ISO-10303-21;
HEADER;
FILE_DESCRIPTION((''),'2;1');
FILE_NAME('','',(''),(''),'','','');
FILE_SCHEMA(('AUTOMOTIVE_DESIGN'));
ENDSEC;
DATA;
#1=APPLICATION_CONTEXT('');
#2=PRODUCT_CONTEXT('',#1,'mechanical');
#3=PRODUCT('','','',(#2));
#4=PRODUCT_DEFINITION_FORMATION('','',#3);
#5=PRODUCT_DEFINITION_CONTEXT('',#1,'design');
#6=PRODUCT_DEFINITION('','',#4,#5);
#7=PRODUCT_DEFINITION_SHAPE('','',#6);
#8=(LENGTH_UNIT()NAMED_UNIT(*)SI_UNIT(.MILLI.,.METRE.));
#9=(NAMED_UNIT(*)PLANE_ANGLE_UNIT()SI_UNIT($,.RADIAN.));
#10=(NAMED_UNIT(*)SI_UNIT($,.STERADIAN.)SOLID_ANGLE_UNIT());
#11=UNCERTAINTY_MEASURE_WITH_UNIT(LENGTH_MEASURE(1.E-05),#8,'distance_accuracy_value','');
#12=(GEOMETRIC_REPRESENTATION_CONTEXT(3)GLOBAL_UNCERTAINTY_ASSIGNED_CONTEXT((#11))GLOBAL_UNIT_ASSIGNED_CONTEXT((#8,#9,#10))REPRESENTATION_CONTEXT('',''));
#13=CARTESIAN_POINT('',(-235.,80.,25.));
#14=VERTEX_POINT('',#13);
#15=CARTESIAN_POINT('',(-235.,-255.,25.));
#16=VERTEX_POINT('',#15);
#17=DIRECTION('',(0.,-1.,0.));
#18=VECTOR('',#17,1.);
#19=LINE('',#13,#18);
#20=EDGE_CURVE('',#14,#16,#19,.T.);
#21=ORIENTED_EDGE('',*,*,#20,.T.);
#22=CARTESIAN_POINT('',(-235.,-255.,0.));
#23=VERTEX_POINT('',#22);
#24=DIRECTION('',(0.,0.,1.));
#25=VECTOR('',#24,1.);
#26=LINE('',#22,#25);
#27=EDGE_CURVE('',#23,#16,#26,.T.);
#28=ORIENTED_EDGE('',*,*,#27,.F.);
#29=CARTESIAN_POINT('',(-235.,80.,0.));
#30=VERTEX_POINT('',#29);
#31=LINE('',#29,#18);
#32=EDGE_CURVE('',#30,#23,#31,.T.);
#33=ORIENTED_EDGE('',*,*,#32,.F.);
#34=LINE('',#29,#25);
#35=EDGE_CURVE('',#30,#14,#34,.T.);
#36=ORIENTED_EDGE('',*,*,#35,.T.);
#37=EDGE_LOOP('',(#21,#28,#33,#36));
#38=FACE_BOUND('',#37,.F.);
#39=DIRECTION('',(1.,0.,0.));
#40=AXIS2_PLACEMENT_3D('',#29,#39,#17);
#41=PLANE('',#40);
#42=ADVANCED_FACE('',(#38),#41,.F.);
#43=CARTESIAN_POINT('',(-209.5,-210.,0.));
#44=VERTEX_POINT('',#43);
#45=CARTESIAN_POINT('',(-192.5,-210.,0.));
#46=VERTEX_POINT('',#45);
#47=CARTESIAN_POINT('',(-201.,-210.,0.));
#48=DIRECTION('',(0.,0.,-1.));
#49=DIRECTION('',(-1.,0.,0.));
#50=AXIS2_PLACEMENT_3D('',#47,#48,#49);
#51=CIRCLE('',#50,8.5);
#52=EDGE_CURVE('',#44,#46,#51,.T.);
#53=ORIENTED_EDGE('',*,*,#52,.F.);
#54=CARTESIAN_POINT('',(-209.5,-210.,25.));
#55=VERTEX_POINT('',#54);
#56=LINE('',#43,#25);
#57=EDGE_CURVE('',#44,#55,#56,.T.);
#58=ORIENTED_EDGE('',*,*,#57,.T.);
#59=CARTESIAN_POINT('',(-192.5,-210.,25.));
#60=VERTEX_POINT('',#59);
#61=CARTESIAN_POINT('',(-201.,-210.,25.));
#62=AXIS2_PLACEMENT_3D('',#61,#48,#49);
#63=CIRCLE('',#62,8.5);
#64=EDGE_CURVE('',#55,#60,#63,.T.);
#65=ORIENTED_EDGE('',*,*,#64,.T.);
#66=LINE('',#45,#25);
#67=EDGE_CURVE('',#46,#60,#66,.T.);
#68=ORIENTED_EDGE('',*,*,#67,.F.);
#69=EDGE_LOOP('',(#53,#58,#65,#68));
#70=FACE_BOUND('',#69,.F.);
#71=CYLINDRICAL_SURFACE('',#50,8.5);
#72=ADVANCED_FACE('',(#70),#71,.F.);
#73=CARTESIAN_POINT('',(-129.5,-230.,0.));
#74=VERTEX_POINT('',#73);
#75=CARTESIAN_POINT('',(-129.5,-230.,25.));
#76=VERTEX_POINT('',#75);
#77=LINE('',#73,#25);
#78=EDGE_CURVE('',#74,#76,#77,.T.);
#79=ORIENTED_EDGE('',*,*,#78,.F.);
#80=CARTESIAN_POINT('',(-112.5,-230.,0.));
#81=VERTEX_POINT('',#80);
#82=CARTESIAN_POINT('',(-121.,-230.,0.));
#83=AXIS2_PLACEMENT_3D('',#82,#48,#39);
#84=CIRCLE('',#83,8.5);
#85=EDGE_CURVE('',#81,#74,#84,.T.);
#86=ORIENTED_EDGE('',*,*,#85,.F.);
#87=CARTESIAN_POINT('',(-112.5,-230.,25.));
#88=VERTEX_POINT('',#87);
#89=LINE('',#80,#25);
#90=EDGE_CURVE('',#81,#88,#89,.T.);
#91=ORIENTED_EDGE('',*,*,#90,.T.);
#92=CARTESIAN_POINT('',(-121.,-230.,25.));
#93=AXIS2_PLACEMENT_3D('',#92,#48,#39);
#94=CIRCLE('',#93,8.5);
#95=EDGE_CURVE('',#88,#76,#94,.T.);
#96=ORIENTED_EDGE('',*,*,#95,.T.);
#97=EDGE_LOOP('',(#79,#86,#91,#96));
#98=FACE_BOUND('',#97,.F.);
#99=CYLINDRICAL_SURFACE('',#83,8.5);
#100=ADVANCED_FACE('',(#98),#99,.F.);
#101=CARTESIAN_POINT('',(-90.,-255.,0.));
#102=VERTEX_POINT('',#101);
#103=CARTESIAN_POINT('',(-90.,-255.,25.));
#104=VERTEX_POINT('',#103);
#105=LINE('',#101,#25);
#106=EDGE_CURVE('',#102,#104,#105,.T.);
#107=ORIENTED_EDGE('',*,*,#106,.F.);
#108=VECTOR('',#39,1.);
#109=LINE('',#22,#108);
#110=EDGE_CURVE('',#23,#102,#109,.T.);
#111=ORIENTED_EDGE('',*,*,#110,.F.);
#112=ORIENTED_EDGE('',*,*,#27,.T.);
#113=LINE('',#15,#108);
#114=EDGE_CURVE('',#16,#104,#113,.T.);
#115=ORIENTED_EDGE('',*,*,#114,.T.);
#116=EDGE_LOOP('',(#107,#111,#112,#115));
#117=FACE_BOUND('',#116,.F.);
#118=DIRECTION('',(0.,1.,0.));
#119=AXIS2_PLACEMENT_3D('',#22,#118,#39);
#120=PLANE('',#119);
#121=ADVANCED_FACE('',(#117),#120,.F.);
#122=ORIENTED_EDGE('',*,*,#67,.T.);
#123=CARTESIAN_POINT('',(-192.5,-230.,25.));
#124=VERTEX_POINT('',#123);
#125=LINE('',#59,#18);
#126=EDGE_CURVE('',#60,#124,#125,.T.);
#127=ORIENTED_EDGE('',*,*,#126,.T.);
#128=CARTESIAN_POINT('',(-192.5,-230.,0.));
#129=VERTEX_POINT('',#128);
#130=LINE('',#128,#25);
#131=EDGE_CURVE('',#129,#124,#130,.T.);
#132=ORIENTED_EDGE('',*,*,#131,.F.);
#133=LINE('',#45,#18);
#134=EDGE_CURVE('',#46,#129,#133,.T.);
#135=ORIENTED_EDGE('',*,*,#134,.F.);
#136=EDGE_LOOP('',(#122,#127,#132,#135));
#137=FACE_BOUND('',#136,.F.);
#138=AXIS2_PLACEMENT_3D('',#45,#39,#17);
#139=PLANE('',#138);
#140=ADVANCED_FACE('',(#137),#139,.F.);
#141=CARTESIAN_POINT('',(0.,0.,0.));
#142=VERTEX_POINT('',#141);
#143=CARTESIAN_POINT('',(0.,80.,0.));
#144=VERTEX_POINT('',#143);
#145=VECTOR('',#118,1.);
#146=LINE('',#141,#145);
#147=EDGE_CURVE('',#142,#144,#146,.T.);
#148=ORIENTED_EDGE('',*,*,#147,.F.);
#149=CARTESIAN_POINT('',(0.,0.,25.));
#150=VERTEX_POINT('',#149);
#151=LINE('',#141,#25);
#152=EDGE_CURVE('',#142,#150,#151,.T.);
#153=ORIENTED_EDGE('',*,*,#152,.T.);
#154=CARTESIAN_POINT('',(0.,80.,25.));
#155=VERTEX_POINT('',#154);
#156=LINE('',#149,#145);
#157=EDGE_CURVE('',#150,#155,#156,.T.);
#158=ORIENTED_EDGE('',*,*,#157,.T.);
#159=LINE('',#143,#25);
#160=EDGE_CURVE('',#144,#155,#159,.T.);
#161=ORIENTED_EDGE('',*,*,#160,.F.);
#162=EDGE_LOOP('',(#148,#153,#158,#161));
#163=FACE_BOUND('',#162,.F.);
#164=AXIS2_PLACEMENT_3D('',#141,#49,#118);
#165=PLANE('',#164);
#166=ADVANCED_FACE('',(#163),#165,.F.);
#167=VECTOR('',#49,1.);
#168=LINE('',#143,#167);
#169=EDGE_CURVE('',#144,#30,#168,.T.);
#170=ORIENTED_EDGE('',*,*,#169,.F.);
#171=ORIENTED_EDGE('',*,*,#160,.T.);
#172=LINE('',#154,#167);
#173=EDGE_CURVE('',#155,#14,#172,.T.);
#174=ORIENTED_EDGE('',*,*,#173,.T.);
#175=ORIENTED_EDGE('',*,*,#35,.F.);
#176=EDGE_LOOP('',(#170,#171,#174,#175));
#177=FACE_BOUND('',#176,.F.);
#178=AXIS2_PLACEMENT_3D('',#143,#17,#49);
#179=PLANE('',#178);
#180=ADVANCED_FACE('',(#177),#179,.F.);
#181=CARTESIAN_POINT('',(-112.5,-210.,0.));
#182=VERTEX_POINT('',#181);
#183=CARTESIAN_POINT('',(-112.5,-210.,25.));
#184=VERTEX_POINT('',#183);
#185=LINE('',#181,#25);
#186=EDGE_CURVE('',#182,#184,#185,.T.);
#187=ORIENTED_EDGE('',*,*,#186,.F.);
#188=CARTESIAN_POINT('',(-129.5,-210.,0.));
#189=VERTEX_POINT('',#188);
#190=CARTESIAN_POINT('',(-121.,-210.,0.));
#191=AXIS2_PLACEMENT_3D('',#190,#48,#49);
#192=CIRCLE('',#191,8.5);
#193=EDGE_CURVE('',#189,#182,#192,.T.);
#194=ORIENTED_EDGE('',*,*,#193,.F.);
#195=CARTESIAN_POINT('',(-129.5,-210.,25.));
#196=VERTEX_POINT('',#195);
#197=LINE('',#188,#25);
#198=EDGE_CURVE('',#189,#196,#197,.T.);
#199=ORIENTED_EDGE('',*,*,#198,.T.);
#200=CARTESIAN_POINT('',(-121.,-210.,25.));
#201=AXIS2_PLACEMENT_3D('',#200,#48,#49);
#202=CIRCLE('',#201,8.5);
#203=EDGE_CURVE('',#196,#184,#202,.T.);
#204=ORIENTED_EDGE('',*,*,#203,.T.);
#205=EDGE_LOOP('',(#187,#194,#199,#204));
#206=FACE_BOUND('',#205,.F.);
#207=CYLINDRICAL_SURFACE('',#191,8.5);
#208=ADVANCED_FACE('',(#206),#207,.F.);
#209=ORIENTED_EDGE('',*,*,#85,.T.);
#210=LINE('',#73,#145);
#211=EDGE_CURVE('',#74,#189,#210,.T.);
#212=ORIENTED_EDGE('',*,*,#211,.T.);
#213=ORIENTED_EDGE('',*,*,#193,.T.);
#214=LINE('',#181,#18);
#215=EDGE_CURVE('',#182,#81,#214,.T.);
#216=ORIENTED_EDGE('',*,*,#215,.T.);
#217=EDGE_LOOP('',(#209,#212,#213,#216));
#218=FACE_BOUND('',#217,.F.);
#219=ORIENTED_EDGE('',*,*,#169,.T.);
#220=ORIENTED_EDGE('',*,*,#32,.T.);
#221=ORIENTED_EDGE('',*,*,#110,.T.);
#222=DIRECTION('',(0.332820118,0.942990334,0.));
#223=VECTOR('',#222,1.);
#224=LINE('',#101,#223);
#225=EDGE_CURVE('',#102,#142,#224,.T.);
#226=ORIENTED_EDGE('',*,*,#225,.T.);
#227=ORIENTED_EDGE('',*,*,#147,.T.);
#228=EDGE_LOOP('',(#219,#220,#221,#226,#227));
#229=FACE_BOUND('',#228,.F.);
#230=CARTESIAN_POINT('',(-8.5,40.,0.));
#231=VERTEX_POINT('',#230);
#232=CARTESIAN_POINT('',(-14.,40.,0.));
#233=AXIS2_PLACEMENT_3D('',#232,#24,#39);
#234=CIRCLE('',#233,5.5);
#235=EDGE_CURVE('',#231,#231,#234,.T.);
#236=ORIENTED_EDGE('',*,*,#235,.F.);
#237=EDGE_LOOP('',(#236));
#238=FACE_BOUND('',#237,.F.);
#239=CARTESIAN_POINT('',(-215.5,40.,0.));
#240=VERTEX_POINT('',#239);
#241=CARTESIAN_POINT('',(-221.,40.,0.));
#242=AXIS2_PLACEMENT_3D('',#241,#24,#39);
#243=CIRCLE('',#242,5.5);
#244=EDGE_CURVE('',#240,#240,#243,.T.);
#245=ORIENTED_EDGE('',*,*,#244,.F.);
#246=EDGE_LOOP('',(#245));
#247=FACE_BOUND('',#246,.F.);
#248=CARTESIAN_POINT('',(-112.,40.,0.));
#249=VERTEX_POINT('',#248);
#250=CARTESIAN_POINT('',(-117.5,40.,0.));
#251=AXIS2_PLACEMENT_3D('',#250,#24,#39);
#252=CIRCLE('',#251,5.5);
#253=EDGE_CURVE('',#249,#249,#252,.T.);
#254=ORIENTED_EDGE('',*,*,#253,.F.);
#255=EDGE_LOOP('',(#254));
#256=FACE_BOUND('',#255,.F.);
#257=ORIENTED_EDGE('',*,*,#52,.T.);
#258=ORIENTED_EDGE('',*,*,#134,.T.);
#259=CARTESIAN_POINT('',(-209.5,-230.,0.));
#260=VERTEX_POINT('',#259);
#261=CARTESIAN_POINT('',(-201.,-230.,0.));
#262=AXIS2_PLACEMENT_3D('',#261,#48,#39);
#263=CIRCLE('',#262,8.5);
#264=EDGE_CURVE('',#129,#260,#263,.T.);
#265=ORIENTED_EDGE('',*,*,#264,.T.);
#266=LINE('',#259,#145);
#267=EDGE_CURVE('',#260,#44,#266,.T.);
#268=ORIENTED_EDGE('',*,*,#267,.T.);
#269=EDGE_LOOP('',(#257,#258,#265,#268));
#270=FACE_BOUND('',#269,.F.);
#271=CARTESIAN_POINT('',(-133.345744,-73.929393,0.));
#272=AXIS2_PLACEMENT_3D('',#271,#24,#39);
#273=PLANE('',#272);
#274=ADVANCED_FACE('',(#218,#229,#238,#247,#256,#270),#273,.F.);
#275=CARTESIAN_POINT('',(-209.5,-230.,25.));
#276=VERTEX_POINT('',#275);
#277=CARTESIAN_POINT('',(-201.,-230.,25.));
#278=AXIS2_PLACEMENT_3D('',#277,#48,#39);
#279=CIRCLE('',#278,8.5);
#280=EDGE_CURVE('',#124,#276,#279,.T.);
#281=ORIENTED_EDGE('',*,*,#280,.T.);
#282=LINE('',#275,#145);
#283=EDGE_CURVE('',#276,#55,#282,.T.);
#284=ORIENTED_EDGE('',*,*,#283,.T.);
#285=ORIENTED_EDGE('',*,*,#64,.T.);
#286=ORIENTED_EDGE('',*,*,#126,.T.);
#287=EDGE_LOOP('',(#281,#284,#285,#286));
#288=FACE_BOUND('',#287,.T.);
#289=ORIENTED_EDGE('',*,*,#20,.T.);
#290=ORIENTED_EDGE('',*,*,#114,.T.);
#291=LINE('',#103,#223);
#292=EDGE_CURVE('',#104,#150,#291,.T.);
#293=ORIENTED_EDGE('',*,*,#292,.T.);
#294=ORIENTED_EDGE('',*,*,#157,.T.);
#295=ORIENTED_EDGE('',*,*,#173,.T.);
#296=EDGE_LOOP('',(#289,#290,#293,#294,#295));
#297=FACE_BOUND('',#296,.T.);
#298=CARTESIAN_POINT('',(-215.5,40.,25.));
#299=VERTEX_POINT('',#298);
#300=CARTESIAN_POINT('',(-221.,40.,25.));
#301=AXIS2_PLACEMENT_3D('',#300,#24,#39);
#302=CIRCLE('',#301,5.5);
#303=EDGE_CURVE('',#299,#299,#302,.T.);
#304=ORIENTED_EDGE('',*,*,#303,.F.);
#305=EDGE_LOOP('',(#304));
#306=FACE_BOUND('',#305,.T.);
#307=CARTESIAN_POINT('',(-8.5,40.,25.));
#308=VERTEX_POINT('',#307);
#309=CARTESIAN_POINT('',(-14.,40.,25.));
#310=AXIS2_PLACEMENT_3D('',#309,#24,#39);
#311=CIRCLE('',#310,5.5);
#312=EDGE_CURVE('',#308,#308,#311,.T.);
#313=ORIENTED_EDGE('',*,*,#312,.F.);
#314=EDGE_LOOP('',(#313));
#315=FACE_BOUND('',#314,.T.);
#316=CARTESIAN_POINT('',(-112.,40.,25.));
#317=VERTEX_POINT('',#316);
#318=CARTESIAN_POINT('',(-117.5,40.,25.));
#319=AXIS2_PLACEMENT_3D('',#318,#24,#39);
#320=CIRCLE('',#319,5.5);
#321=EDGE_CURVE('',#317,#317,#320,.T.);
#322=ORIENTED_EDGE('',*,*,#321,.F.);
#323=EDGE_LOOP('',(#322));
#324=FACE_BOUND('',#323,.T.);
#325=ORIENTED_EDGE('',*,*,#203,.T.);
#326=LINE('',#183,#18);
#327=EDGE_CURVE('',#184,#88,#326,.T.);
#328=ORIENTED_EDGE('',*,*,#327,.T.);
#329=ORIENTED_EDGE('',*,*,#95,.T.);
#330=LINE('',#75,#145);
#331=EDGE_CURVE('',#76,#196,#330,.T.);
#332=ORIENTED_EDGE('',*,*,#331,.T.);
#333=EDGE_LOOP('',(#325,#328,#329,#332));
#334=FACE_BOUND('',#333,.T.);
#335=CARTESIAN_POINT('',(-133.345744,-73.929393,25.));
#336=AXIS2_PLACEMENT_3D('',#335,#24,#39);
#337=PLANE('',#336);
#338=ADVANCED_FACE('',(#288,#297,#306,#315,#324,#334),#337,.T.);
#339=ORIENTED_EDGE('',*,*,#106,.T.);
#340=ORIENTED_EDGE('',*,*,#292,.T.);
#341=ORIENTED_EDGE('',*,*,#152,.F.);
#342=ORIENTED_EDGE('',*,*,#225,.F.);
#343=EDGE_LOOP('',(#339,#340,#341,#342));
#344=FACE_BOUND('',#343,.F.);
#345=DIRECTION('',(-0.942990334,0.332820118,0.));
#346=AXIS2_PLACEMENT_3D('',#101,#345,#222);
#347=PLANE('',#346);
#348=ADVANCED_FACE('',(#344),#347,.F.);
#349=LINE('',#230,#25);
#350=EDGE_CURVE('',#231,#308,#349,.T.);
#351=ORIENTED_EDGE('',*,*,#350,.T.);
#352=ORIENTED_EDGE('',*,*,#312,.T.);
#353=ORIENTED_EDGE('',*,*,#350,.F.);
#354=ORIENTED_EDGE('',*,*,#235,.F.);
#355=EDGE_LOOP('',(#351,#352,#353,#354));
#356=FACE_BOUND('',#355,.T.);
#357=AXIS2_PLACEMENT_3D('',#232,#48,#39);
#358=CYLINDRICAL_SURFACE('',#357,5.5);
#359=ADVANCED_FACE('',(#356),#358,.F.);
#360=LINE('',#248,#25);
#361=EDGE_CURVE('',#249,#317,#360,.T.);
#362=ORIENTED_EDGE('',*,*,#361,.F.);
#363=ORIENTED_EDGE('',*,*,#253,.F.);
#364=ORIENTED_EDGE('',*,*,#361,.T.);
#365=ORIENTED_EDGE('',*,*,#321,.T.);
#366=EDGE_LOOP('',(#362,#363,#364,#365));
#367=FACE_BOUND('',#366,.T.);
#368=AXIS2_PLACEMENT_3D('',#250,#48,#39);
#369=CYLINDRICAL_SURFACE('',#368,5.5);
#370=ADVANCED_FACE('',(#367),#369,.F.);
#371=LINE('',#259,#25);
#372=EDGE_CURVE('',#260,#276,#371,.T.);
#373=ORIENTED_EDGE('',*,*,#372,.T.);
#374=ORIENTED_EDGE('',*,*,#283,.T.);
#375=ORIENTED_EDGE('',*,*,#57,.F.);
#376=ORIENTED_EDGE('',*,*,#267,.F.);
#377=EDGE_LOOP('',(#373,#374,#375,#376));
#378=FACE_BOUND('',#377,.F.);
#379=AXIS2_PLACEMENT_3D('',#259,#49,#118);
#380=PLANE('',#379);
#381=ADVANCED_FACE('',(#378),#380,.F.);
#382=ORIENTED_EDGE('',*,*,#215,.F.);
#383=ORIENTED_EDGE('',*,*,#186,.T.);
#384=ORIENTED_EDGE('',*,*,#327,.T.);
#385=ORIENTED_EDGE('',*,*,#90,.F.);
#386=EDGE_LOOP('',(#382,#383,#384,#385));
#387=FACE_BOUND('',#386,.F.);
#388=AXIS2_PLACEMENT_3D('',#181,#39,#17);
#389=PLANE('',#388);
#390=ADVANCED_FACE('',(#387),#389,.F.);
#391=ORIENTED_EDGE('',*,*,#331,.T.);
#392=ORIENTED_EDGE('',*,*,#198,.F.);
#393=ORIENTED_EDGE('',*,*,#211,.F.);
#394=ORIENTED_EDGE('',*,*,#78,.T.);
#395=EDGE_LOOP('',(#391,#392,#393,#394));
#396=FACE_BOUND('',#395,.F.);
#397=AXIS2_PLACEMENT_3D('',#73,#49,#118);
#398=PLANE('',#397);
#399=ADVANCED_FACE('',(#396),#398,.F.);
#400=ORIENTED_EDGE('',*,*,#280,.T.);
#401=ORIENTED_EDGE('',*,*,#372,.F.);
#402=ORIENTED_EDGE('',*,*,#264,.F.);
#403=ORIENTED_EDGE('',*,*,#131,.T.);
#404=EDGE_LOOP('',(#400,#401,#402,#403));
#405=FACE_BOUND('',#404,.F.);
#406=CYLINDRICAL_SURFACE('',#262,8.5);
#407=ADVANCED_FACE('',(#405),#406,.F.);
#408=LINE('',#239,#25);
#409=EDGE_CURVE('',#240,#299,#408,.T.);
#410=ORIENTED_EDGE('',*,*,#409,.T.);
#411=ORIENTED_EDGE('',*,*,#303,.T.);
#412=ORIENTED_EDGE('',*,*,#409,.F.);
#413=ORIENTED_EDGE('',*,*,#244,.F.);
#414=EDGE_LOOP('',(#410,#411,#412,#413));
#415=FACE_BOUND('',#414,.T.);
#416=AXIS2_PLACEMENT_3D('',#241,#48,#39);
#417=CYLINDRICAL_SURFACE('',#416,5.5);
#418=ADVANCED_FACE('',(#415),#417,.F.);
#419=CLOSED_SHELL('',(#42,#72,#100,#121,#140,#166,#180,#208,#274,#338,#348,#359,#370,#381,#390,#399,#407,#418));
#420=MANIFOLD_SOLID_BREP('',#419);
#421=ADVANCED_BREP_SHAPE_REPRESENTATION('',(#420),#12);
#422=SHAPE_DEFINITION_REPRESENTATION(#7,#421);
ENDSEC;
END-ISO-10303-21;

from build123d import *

# Parameters (mm, degrees)
F0_R     = 5.5
F1_DEPTH = 25
F2_DEPTH = 25


with BuildPart() as f1:
    # F0 (on Top) → F1 (new body)
    with BuildSketch(Plane.XY):
        Polygon((0, 80), (-235, 80), (-235, -255), (-90, -255), (0, 0), align=None)
        with BuildLine():
            ThreePointArc((-209.5, -210), (-201, -201.5), (-192.5, -210))
            Line((-192.5, -210), (-192.5, -230))
            ThreePointArc((-192.5, -230), (-201, -238.5), (-209.5, -230))
            Line((-209.5, -230), (-209.5, -210))
        make_face(mode=Mode.SUBTRACT)
        with BuildLine():
            ThreePointArc((-129.5, -210), (-121, -201.5), (-112.5, -210))
            Line((-112.5, -210), (-112.5, -230))
            ThreePointArc((-112.5, -230), (-121, -238.5), (-129.5, -230))
            Line((-129.5, -230), (-129.5, -210))
        make_face(mode=Mode.SUBTRACT)
        with Locations((-221, 40)):
            Circle(F0_R, mode=Mode.SUBTRACT)
        with Locations((-117.5, 40)):
            Circle(F0_R, mode=Mode.SUBTRACT)
        with Locations((-14, 40)):
            Circle(F0_R, mode=Mode.SUBTRACT)
    extrude(amount=F1_DEPTH)

    # F0 (on Top) → F2 (join)
    with BuildSketch(Plane.XY):
        Polygon((0, 80), (-235, 80), (-235, -255), (-90, -255), (0, 0), align=None)
        with BuildLine():
            ThreePointArc((-209.5, -210), (-201, -201.5), (-192.5, -210))
            Line((-192.5, -210), (-192.5, -230))
            ThreePointArc((-192.5, -230), (-201, -238.5), (-209.5, -230))
            Line((-209.5, -230), (-209.5, -210))
        make_face(mode=Mode.SUBTRACT)
        with BuildLine():
            ThreePointArc((-129.5, -210), (-121, -201.5), (-112.5, -210))
            Line((-112.5, -210), (-112.5, -230))
            ThreePointArc((-112.5, -230), (-121, -238.5), (-129.5, -230))
            Line((-129.5, -230), (-129.5, -210))
        make_face(mode=Mode.SUBTRACT)
        with Locations((-221, 40)):
            Circle(F0_R, mode=Mode.SUBTRACT)
        with Locations((-117.5, 40)):
            Circle(F0_R, mode=Mode.SUBTRACT)
        with Locations((-14, 40)):
            Circle(F0_R, mode=Mode.SUBTRACT)
    extrude(amount=F2_DEPTH)


solid = f1.part
